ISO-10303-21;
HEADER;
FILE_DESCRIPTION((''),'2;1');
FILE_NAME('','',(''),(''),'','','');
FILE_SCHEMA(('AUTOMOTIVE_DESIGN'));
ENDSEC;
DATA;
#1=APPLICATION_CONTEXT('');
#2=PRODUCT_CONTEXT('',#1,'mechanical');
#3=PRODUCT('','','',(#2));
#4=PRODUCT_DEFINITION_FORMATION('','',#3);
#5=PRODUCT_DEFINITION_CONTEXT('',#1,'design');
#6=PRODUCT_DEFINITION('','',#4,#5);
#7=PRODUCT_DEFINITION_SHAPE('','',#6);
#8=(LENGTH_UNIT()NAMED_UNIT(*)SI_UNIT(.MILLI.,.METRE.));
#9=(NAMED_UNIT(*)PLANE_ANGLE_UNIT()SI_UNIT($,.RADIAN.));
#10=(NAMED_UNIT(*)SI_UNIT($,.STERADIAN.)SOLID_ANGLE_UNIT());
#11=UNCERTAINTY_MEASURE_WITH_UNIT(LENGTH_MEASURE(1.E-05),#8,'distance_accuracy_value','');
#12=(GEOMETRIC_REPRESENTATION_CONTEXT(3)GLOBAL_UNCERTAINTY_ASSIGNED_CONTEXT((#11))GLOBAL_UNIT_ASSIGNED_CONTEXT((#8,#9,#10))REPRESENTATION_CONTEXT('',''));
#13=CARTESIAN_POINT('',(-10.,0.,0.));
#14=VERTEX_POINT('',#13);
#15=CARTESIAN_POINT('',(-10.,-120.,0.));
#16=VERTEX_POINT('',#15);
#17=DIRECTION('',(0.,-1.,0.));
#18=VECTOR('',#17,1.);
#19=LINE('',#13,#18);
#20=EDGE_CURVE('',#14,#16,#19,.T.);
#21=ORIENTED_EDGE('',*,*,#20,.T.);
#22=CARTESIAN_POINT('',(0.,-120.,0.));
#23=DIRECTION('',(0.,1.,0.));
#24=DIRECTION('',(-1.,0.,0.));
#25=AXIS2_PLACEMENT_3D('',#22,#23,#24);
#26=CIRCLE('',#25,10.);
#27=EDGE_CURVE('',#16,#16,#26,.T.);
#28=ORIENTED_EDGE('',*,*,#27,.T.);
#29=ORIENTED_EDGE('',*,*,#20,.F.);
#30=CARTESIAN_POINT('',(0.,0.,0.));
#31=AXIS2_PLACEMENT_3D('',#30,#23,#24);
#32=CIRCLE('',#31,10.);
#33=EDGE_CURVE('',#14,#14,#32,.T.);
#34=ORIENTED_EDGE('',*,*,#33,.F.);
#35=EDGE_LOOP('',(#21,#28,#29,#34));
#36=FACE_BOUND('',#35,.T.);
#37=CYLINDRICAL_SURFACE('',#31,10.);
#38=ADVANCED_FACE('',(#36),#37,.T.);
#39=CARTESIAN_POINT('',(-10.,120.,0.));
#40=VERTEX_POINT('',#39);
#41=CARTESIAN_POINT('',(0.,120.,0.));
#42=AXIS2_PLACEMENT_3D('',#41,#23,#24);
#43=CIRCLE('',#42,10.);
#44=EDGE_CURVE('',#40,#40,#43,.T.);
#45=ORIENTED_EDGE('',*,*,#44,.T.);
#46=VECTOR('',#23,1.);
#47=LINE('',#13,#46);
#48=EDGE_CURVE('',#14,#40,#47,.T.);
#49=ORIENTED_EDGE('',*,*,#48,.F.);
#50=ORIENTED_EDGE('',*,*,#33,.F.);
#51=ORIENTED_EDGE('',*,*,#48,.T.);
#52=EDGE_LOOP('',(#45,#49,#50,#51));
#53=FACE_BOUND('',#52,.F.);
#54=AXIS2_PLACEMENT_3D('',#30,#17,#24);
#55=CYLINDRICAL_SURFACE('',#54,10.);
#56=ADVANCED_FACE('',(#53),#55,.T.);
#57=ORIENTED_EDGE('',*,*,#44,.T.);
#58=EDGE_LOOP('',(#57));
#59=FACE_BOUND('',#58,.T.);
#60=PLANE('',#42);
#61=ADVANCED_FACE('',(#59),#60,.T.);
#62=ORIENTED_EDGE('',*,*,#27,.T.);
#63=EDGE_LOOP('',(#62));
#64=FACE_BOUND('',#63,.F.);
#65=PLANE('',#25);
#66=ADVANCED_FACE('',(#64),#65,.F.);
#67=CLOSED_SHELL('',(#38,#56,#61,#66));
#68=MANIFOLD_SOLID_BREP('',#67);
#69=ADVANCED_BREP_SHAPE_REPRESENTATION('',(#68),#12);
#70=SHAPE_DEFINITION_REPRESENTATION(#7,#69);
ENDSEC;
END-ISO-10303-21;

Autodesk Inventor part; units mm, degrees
ref_plane "YZ Plane" through (0, 0, 0) normal (1, 0, 0) x (0, 1, 0)
ref_plane "XZ Plane" through (0, 0, 0) normal (0, 1, 0) x (-1, 0, 0)
ref_plane "XY Plane" through (0, 0, 0) normal (0, 0, 1) x (1, 0, 0)
sketch "Sketch1" plane through (0, 0, 0) normal (0, 1, 0) x (-1, 0, 0)
  circle A0 centre (0, 0) radius 10
  line L0 (14, 0) -> (-14, 0) construction
  line L1 (0, -14) -> (0, 14) construction
  dimension "dia" = 20
extrude "Extrusion1" add sketch "Sketch1" along normal mid plane 240
equation "\"dia\" = stock_x"
equation "\"d1\" = stock_z"
equation "\"stock_z\" = 240"
equation "\"stock_x\" = 20"
properties part number "RoundStock"
